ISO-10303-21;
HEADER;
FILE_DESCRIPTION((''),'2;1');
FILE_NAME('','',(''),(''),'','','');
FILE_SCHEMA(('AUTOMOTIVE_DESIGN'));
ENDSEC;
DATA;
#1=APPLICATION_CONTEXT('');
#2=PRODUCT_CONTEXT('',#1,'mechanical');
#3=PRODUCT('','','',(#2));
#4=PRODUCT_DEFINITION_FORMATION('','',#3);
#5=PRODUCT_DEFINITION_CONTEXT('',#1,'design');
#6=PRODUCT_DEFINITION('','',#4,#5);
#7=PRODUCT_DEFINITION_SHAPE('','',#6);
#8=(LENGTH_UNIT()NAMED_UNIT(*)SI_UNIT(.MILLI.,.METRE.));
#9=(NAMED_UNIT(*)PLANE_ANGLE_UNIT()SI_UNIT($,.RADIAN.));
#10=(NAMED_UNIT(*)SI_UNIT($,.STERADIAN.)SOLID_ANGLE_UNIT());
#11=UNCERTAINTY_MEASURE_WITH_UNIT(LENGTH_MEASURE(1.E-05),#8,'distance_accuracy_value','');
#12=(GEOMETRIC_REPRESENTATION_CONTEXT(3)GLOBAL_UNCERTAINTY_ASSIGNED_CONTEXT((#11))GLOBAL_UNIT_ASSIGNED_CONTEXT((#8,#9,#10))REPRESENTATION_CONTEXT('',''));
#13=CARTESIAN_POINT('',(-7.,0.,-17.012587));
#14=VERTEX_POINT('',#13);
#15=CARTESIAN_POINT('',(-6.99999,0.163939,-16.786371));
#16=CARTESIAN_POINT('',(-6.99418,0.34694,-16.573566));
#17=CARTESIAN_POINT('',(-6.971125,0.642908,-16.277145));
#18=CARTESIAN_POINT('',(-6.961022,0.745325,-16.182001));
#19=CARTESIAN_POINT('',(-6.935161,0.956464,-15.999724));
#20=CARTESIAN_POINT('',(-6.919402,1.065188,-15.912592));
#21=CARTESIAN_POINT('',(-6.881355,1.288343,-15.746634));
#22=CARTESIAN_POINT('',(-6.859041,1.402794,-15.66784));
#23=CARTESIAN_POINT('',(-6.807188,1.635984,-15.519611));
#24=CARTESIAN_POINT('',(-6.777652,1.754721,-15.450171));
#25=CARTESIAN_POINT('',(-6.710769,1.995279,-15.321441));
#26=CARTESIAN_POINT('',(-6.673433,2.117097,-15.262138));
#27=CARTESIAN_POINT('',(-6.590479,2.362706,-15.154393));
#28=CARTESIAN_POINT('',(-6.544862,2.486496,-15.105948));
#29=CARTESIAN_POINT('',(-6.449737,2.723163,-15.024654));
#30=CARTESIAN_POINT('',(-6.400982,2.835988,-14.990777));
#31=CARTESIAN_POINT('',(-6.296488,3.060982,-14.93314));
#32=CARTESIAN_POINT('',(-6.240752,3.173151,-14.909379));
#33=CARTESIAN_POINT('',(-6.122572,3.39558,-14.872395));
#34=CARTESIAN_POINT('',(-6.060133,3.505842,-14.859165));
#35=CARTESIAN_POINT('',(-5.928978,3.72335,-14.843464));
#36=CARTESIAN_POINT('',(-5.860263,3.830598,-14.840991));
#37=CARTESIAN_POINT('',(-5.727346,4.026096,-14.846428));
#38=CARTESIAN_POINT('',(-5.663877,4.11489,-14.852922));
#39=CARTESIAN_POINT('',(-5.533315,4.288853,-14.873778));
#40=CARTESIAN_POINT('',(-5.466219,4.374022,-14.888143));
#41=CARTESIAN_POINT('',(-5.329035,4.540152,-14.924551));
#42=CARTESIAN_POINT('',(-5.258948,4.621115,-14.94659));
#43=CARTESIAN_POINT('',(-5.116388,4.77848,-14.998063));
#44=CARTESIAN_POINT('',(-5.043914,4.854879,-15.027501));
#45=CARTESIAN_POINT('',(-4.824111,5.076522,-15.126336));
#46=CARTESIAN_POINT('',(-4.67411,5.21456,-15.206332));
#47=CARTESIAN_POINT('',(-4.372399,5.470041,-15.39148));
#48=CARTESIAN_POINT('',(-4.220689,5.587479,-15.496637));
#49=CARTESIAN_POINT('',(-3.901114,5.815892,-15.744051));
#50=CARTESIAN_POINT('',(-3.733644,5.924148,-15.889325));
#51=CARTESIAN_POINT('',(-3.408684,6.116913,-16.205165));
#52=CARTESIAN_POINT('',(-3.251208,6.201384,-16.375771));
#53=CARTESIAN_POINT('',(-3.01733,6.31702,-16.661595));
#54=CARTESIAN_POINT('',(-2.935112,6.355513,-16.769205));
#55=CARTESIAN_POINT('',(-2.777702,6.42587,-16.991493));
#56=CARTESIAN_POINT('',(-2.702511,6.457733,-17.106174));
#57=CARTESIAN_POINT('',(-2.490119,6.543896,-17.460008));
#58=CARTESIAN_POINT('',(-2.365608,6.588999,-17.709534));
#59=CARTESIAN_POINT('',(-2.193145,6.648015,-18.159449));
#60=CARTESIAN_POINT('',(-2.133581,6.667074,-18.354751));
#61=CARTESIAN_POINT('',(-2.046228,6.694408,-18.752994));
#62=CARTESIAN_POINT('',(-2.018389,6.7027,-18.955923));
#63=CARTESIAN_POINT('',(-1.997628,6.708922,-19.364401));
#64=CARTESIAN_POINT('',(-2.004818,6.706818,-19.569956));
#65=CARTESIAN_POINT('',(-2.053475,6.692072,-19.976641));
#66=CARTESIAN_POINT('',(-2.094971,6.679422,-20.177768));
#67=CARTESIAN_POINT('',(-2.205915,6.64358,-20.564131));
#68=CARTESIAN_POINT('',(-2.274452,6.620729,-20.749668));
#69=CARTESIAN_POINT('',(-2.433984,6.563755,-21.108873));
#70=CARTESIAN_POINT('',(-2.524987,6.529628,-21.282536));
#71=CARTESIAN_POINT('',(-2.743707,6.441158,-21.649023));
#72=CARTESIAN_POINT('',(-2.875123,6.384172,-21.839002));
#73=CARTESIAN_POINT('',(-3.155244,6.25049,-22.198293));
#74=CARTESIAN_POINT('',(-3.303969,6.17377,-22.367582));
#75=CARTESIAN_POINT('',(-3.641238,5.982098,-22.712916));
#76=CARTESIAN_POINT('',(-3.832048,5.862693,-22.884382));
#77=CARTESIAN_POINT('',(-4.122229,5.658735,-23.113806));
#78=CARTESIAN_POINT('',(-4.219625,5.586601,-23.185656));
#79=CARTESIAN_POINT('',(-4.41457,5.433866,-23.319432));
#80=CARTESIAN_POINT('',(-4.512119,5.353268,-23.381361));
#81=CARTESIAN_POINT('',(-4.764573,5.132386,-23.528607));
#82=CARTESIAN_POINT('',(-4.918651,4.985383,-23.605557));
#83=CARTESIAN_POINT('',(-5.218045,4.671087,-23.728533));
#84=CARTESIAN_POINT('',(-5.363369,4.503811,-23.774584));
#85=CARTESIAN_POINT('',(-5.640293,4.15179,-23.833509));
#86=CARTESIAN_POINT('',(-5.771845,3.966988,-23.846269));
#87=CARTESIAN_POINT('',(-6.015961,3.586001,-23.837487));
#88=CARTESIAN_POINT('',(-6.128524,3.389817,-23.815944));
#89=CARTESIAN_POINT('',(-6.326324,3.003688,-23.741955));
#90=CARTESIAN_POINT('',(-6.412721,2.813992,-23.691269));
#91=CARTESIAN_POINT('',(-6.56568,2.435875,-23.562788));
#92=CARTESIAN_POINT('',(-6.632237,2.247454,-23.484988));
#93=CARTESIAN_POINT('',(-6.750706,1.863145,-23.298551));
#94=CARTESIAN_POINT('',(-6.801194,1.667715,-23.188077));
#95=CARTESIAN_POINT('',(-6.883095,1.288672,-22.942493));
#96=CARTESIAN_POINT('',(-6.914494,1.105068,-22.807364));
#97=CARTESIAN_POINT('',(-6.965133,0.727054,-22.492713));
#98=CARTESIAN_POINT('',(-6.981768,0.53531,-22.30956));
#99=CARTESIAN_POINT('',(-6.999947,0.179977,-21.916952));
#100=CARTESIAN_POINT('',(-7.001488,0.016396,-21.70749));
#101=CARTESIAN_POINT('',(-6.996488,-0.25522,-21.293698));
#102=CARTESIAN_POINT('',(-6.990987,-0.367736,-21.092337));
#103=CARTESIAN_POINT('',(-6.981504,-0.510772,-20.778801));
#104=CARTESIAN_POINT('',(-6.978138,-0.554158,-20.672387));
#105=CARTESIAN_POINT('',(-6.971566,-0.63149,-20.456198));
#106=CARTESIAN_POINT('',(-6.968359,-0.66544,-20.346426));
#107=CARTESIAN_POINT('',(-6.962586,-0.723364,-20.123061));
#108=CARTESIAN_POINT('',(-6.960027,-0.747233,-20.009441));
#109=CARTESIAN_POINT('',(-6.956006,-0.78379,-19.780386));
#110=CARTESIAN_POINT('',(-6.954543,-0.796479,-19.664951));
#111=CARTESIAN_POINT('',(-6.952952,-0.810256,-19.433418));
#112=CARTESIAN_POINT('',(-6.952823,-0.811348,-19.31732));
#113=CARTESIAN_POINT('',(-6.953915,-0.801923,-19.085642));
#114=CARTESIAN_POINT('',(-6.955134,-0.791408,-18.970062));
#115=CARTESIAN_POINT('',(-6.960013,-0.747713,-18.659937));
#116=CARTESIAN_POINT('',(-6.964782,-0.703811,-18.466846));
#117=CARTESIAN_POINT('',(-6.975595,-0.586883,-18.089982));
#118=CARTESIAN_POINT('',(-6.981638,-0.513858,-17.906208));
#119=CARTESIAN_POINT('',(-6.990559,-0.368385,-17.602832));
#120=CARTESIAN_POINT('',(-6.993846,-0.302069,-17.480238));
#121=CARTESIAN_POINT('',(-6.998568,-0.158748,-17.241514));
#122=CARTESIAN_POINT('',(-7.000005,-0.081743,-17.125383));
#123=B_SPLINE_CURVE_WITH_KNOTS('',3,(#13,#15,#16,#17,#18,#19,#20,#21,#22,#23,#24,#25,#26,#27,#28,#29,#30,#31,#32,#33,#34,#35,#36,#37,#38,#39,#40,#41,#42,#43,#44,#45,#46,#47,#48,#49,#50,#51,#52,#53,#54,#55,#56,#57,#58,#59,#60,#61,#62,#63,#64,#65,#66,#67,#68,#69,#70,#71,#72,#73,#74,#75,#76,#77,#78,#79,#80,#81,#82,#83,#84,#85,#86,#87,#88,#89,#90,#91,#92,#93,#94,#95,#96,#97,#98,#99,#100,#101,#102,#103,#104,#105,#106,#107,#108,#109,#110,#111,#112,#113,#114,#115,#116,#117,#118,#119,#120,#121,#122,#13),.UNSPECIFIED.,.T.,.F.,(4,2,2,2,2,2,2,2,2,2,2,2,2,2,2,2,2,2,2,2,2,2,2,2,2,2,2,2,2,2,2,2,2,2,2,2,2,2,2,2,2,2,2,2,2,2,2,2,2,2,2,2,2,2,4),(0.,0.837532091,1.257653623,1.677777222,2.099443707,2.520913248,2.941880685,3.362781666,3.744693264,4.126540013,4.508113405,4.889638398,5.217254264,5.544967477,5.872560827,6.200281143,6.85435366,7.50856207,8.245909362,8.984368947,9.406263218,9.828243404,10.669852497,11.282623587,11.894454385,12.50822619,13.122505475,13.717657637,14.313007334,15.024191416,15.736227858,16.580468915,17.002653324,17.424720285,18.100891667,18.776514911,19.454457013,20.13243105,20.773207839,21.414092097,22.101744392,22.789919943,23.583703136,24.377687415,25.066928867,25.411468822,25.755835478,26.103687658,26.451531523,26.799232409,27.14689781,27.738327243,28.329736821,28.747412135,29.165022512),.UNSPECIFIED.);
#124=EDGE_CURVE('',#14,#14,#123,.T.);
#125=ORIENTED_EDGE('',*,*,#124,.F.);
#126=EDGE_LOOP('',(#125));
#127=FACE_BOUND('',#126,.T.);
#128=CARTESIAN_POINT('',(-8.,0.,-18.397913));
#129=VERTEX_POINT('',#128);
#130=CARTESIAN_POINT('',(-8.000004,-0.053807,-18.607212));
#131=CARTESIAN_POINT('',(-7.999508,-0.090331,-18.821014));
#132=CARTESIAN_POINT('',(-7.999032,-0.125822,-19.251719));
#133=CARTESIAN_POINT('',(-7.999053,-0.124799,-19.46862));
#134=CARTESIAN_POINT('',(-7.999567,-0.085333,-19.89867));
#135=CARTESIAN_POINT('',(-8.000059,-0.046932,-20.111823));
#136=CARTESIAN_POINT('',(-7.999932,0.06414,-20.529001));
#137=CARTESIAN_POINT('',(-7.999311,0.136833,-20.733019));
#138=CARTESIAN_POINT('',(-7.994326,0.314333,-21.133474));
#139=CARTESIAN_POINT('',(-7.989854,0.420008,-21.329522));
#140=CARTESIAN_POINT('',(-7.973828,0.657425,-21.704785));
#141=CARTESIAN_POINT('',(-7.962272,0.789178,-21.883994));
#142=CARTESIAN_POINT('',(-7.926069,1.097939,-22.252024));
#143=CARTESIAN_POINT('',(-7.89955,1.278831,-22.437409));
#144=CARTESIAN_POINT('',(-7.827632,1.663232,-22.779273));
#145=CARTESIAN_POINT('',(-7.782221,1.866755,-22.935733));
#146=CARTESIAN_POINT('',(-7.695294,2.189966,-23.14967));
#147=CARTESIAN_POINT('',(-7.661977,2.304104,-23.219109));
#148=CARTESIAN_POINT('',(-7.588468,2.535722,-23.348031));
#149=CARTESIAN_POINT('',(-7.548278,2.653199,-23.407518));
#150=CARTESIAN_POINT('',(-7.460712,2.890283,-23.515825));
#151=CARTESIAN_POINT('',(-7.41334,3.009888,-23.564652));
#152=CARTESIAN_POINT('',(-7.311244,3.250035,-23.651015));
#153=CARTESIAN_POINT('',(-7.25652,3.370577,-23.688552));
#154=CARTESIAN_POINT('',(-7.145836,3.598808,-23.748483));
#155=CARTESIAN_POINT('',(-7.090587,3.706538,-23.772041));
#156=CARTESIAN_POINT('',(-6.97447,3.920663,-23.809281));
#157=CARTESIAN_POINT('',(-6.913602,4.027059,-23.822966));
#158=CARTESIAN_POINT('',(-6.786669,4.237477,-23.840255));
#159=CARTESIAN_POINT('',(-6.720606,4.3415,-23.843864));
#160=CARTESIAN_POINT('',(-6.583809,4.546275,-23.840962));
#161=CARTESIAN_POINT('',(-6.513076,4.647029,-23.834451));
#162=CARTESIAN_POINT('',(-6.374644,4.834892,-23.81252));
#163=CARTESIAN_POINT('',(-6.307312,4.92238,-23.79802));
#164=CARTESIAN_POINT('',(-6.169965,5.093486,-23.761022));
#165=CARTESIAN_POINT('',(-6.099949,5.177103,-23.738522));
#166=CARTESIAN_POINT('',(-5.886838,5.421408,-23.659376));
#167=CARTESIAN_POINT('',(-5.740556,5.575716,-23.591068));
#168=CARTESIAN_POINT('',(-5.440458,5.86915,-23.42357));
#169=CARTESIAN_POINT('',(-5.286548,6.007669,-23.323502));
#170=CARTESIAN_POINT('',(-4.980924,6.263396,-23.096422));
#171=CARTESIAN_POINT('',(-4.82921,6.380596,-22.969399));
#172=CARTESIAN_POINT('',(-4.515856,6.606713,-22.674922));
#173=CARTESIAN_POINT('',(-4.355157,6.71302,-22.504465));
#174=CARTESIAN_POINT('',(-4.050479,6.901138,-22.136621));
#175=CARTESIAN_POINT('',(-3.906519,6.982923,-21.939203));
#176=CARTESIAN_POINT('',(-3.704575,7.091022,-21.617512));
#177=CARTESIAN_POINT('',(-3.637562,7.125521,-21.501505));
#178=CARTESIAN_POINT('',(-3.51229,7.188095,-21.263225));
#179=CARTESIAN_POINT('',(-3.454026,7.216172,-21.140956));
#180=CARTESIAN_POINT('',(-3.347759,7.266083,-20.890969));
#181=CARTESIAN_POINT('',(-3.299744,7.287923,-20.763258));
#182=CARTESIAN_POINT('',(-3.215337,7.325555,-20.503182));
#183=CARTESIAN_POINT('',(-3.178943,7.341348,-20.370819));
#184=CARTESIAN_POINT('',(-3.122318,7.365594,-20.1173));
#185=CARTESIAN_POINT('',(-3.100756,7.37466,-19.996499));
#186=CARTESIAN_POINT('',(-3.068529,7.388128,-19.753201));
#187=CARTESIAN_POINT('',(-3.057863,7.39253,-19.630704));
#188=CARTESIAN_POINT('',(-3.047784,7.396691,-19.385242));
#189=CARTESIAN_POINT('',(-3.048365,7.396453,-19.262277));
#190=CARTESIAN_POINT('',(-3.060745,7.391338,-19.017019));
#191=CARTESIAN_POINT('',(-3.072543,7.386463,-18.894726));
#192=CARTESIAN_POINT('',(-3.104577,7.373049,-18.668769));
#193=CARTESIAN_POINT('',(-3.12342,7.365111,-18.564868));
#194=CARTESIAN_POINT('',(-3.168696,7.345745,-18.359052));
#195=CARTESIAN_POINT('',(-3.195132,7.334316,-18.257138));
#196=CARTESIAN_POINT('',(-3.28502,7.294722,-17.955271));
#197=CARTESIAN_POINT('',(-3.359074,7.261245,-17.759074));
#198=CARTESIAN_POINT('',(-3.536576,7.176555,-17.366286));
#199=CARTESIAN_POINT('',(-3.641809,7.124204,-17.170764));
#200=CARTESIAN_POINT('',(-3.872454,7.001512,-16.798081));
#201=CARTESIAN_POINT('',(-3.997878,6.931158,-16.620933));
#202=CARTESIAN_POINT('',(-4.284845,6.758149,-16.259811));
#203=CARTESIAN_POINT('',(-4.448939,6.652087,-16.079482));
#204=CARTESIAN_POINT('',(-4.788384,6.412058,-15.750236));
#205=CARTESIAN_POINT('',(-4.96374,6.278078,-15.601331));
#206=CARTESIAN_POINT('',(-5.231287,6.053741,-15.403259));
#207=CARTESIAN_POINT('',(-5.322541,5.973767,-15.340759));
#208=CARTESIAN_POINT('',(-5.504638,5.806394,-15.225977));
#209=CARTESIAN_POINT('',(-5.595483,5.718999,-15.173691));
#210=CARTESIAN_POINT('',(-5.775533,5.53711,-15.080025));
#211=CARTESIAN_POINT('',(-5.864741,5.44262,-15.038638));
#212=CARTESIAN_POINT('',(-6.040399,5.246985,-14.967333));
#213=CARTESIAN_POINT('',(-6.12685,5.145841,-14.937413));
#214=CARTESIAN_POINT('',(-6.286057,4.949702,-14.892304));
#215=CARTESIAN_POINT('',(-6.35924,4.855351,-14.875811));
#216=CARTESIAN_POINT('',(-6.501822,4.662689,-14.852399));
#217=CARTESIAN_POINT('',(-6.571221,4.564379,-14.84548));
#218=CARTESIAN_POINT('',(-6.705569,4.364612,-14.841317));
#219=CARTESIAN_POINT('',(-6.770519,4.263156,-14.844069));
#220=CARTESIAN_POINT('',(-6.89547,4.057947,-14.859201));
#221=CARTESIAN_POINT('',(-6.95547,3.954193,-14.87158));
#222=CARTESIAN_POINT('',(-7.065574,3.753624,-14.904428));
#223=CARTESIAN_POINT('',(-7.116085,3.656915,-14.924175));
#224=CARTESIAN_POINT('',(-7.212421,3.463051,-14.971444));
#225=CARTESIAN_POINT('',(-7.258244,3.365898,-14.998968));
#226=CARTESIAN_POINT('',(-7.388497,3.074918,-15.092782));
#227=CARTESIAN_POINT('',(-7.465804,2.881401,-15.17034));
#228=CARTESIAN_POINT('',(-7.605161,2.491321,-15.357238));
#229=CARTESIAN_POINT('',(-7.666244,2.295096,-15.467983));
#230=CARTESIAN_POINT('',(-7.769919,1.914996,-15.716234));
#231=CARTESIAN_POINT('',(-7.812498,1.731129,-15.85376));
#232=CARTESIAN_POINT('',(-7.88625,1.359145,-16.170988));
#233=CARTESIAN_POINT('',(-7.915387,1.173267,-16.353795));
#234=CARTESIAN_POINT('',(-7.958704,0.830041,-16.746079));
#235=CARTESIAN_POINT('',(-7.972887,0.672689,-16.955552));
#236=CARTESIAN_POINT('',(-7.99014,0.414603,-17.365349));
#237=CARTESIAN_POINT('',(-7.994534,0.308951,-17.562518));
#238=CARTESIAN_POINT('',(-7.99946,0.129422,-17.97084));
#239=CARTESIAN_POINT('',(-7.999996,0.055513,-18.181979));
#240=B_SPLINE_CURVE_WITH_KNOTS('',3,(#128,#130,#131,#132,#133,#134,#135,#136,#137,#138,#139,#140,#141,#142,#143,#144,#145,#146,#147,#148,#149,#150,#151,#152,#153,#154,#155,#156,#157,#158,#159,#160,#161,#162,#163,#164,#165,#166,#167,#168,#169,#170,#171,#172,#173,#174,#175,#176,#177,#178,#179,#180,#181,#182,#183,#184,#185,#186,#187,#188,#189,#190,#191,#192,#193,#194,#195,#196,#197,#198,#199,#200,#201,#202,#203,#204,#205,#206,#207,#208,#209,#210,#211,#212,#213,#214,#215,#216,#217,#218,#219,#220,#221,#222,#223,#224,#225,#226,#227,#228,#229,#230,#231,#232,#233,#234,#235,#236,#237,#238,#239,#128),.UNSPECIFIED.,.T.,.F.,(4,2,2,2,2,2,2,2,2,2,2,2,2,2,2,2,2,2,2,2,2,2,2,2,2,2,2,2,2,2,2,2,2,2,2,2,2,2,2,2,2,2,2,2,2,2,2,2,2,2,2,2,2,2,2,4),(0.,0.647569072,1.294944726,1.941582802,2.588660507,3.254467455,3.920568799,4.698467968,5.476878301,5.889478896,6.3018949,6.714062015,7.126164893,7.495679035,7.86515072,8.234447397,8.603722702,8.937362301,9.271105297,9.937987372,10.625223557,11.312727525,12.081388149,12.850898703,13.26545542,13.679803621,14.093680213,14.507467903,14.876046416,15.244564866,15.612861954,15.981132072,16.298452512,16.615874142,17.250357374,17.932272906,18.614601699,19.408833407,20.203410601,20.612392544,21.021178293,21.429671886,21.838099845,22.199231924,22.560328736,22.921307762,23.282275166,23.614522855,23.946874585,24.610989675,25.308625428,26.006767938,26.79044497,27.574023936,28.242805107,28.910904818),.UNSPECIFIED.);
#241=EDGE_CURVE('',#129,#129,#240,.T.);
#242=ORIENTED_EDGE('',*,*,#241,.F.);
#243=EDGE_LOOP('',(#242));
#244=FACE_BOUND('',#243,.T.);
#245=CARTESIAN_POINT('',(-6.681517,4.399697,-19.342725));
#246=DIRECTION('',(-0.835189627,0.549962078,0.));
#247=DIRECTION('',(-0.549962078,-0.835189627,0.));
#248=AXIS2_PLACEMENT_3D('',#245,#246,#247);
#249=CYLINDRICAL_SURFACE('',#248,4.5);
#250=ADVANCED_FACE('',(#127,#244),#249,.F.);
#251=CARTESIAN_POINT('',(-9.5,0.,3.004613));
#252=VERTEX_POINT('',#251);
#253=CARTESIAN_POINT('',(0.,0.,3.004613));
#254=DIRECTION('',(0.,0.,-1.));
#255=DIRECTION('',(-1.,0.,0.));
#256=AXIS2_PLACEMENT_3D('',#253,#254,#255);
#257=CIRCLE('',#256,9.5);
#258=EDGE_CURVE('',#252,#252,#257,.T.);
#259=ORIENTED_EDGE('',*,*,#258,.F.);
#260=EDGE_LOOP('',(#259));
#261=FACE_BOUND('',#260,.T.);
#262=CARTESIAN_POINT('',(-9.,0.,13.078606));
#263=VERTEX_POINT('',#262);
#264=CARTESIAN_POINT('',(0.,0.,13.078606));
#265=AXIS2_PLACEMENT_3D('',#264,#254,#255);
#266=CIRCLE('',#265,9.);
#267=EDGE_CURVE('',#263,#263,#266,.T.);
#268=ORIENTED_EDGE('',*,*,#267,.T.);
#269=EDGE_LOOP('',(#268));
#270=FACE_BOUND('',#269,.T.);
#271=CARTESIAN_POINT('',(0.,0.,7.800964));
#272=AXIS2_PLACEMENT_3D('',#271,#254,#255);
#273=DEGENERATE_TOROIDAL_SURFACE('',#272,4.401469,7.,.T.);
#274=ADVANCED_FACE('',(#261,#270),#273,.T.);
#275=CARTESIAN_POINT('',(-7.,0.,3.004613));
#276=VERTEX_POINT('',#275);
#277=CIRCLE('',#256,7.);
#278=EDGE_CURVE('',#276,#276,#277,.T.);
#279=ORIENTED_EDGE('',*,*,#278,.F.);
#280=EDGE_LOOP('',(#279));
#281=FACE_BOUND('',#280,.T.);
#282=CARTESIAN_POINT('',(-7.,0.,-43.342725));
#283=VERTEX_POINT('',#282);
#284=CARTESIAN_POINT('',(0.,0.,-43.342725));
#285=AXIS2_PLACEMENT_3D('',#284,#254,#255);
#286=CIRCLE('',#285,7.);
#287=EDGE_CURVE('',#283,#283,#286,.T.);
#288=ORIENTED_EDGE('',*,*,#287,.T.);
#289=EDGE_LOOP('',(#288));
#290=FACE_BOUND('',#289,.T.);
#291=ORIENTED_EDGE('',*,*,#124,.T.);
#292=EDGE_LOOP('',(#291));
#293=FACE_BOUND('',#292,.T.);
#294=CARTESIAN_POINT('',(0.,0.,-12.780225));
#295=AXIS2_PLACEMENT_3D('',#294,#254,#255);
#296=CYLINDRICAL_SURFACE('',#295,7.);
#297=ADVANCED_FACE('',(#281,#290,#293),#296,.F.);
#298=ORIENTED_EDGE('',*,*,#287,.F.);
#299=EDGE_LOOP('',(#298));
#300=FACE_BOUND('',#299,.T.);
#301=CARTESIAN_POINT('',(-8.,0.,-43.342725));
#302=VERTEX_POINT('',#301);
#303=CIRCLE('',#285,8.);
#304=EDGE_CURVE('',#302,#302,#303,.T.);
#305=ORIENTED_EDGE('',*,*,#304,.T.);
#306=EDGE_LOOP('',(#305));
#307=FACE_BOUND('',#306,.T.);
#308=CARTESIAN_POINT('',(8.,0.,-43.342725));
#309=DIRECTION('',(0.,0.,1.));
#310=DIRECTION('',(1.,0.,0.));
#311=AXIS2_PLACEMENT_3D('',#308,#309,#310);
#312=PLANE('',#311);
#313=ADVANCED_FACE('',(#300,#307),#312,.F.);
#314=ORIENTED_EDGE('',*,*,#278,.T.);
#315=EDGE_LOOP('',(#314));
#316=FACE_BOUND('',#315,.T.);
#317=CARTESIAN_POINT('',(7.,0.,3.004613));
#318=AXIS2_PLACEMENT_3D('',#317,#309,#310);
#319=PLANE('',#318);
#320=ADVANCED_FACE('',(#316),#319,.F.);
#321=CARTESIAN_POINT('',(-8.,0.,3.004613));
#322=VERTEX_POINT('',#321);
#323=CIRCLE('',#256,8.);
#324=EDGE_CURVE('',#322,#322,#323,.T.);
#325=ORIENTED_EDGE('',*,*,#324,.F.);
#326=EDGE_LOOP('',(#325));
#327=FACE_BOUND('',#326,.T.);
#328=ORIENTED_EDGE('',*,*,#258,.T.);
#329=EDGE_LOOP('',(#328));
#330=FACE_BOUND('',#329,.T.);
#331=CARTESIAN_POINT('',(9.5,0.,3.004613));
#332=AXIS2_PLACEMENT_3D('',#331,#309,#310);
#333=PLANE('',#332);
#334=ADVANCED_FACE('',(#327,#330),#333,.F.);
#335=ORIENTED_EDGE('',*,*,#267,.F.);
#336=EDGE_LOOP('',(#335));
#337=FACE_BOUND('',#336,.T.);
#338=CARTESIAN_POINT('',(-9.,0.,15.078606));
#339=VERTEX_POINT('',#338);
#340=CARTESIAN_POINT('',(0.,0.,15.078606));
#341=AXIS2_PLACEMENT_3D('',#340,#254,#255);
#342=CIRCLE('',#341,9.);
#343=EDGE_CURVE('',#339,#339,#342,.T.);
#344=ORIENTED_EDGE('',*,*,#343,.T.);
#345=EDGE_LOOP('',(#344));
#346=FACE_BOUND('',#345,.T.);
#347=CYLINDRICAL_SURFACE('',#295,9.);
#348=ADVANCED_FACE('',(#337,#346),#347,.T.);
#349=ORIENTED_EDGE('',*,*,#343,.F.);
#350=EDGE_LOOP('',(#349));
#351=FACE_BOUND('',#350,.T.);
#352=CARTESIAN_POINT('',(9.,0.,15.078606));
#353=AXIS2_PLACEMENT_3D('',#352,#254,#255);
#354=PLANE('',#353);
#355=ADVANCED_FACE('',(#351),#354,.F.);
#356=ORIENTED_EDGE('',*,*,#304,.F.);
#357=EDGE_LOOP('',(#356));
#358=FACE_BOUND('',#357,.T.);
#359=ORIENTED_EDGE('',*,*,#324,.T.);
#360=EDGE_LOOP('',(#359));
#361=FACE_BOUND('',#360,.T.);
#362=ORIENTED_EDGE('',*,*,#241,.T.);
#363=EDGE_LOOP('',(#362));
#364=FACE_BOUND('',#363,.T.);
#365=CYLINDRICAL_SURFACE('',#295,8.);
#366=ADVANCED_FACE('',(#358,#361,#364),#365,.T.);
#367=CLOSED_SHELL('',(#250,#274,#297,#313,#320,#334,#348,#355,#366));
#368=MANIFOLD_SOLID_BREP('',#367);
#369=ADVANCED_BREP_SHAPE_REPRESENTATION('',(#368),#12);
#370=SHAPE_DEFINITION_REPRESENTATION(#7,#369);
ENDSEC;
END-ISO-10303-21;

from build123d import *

# Parameters (mm, degrees)
TROU_DE_PASSAGE_D_AXE_3_321_REACH  = 43.97
TROU_DE_PASSAGE_D_AXE_3_321_BORE_R = 4.5


with BuildPart() as part:
    # Esquisse2 → Révolution1 (revolve)
    with BuildSketch(Plane(origin=(0, 0, 0), x_dir=(1, 0, 0), z_dir=(0, 1, 0)), mode=Mode.PRIVATE) as r_volution1_sk:
        with BuildLine():
            Line((7, 43.342725136), (7, -3.004612909))
            Line((7, -3.004612909), (0, -3.004612909))
            Line((0, -3.004612909), (0, -12.657274864))
            Line((0, -12.657274864), (0, -15.078606198))
            Line((0, -15.078606198), (9, -15.078606198))
            Line((9, -15.078606198), (9, -13.078606198))
            ThreePointArc((9, -13.078606198), (11.39286281, -8.14796573), (9.5, -3.004612909))
            Line((9.5, -3.004612909), (8, -3.004612909))
            Line((8, -3.004612909), (8, 43.342725136))
            Line((8, 43.342725136), (7, 43.342725136))
        make_face()
    revolve(r_volution1_sk.sketch.rotate(Axis((0, 0, -12.780225136), (0, 0, 1)), 180), axis=Axis((0, 0, -12.780225136), (0, 0, 1)))

    # Trou de passage d'axe 3/321 bore (on position points) → Trou de passage d'axe 3/321 (cut, up to next)
    with BuildSketch(Plane(origin=(-6.681517016, 4.399696622, -19.342725136), x_dir=(-0.549962077733, -0.835189627005, 0), z_dir=(-0.835189627005, 0.549962077733, 0)), mode=Mode.PRIVATE) as trou_de_passage_d_axe_3_321_sk1:
        Circle(TROU_DE_PASSAGE_D_AXE_3_321_BORE_R)
    trou_de_passage_d_axe_3_321_tool1 = extrude(trou_de_passage_d_axe_3_321_sk1.sketch, amount=-TROU_DE_PASSAGE_D_AXE_3_321_REACH, mode=Mode.PRIVATE) & part.part
    add(trou_de_passage_d_axe_3_321_tool1.solids().sort_by_distance((-6.681517, 4.399697, -19.342725))[0], mode=Mode.SUBTRACT)


solid = part.part
